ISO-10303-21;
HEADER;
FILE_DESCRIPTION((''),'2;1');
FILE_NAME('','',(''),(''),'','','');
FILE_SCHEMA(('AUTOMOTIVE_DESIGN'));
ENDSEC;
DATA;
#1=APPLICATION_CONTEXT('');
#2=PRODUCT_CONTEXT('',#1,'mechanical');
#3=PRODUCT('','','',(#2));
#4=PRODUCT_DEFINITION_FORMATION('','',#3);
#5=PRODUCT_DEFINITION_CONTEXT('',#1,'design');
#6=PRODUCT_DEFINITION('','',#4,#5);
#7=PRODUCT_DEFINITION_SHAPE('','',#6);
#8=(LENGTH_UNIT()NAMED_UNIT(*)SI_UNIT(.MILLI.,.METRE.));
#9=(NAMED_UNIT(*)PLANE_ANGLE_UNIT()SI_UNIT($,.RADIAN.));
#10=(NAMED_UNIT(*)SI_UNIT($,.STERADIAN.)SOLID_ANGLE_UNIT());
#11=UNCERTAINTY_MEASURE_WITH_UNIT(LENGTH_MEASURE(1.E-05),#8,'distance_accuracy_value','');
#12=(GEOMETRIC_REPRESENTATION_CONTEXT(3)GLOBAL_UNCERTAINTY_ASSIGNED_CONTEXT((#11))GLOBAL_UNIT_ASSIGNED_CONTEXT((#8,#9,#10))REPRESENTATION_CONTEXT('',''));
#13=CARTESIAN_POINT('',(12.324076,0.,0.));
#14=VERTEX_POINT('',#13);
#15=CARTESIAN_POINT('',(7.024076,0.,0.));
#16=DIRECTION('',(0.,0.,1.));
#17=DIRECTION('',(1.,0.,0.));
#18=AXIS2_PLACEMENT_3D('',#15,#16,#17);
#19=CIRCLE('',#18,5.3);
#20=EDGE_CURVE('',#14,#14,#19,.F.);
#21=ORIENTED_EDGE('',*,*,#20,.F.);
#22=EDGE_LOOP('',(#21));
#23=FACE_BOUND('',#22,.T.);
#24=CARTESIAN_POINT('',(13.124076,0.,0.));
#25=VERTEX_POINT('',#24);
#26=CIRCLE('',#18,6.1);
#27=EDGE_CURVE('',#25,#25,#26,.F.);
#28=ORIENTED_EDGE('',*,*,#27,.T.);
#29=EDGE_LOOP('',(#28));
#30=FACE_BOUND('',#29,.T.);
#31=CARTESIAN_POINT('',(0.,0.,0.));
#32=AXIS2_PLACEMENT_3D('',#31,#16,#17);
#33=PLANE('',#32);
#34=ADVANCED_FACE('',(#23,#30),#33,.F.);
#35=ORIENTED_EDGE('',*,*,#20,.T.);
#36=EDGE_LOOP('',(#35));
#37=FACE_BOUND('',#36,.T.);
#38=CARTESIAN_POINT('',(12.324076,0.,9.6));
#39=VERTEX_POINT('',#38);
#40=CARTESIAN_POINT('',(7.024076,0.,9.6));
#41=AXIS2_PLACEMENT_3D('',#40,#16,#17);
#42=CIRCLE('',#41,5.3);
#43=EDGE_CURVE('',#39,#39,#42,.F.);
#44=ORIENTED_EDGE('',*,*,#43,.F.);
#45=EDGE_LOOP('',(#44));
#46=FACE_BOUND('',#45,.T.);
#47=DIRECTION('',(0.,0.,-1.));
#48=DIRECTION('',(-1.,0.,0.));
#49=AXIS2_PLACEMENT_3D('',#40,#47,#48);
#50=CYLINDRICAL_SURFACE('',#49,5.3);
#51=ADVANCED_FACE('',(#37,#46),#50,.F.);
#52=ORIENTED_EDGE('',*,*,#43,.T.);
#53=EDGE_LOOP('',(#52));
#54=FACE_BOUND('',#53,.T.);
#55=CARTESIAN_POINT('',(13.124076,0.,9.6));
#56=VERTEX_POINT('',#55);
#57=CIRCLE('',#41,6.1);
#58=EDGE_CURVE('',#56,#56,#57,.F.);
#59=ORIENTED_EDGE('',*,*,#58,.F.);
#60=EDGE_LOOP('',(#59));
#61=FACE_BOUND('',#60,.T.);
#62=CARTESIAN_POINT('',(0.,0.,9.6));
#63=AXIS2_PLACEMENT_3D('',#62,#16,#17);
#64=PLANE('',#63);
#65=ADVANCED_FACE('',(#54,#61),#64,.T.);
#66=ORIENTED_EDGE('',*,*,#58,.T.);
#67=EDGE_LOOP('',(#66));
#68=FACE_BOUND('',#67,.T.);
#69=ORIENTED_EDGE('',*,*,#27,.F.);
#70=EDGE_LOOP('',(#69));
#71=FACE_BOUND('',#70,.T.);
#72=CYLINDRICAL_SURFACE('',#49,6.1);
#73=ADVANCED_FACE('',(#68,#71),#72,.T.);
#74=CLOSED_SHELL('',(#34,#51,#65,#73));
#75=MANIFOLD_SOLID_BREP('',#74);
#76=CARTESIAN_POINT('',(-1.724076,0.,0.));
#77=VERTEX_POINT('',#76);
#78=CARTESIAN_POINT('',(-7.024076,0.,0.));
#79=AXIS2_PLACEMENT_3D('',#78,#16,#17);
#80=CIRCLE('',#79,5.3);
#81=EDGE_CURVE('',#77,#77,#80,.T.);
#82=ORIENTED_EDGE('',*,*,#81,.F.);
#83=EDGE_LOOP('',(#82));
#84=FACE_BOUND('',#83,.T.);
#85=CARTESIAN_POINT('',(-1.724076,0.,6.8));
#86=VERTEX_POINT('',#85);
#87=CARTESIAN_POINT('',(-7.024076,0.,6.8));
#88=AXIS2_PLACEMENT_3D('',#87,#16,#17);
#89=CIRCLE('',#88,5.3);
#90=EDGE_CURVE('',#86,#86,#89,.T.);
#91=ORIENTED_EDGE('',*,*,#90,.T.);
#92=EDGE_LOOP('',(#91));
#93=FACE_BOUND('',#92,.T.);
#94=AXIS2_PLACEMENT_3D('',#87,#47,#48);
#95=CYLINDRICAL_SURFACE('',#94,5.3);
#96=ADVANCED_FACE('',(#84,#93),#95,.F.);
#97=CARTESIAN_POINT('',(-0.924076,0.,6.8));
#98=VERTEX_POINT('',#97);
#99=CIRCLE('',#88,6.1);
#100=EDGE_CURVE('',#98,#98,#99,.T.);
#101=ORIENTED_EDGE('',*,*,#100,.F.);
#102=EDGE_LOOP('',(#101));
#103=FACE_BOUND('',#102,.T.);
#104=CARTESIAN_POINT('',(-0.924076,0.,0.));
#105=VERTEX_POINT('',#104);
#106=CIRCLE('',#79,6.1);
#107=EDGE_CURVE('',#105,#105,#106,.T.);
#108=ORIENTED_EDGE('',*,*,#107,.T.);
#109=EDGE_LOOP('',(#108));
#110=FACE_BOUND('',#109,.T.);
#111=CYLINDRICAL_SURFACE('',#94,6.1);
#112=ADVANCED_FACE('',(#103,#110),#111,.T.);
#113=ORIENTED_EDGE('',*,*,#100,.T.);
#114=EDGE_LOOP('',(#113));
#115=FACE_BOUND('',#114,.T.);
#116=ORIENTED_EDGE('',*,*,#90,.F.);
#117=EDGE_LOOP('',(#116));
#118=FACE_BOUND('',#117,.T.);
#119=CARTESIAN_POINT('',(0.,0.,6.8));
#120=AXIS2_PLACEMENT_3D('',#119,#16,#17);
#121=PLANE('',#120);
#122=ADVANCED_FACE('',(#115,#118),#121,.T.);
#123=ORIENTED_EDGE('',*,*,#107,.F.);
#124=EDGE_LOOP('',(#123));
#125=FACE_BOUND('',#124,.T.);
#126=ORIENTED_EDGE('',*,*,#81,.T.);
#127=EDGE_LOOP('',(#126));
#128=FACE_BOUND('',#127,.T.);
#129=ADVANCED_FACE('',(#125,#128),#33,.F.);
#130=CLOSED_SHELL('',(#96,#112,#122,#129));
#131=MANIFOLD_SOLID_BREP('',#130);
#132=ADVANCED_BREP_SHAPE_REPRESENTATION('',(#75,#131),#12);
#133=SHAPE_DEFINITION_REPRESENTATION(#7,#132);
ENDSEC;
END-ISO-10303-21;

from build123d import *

# Parameters (mm, degrees)
SKETCH1_R           = 6.1
SKETCH1_R_2         = 5.3
BOSS_EXTRUDE1_DEPTH = 6.8
SKETCH1_3_R         = 6.1
SKETCH1_3_R_2       = 5.3
BOSS_EXTRUDE2_DEPTH = 9.6


with BuildPart() as part:
    # Sketch1 → Boss-Extrude1 (new body)
    with BuildSketch(Plane.XY):
        with Locations((-7.0240764, 0)):
            Circle(SKETCH1_R)
        with Locations((-7.0240764, 0)):
            Circle(SKETCH1_R_2, mode=Mode.SUBTRACT)
    extrude(amount=BOSS_EXTRUDE1_DEPTH)


with BuildPart() as body_2:
    # Sketch1<3> → Boss-Extrude2 (new body)
    with BuildSketch(Plane.XY):
        with Locations((7.0240764, 0)):
            Circle(SKETCH1_3_R)
        with Locations((7.0240764, 0)):
            Circle(SKETCH1_3_R_2, mode=Mode.SUBTRACT)
    extrude(amount=BOSS_EXTRUDE2_DEPTH)


solid = Compound([part.part, body_2.part])
